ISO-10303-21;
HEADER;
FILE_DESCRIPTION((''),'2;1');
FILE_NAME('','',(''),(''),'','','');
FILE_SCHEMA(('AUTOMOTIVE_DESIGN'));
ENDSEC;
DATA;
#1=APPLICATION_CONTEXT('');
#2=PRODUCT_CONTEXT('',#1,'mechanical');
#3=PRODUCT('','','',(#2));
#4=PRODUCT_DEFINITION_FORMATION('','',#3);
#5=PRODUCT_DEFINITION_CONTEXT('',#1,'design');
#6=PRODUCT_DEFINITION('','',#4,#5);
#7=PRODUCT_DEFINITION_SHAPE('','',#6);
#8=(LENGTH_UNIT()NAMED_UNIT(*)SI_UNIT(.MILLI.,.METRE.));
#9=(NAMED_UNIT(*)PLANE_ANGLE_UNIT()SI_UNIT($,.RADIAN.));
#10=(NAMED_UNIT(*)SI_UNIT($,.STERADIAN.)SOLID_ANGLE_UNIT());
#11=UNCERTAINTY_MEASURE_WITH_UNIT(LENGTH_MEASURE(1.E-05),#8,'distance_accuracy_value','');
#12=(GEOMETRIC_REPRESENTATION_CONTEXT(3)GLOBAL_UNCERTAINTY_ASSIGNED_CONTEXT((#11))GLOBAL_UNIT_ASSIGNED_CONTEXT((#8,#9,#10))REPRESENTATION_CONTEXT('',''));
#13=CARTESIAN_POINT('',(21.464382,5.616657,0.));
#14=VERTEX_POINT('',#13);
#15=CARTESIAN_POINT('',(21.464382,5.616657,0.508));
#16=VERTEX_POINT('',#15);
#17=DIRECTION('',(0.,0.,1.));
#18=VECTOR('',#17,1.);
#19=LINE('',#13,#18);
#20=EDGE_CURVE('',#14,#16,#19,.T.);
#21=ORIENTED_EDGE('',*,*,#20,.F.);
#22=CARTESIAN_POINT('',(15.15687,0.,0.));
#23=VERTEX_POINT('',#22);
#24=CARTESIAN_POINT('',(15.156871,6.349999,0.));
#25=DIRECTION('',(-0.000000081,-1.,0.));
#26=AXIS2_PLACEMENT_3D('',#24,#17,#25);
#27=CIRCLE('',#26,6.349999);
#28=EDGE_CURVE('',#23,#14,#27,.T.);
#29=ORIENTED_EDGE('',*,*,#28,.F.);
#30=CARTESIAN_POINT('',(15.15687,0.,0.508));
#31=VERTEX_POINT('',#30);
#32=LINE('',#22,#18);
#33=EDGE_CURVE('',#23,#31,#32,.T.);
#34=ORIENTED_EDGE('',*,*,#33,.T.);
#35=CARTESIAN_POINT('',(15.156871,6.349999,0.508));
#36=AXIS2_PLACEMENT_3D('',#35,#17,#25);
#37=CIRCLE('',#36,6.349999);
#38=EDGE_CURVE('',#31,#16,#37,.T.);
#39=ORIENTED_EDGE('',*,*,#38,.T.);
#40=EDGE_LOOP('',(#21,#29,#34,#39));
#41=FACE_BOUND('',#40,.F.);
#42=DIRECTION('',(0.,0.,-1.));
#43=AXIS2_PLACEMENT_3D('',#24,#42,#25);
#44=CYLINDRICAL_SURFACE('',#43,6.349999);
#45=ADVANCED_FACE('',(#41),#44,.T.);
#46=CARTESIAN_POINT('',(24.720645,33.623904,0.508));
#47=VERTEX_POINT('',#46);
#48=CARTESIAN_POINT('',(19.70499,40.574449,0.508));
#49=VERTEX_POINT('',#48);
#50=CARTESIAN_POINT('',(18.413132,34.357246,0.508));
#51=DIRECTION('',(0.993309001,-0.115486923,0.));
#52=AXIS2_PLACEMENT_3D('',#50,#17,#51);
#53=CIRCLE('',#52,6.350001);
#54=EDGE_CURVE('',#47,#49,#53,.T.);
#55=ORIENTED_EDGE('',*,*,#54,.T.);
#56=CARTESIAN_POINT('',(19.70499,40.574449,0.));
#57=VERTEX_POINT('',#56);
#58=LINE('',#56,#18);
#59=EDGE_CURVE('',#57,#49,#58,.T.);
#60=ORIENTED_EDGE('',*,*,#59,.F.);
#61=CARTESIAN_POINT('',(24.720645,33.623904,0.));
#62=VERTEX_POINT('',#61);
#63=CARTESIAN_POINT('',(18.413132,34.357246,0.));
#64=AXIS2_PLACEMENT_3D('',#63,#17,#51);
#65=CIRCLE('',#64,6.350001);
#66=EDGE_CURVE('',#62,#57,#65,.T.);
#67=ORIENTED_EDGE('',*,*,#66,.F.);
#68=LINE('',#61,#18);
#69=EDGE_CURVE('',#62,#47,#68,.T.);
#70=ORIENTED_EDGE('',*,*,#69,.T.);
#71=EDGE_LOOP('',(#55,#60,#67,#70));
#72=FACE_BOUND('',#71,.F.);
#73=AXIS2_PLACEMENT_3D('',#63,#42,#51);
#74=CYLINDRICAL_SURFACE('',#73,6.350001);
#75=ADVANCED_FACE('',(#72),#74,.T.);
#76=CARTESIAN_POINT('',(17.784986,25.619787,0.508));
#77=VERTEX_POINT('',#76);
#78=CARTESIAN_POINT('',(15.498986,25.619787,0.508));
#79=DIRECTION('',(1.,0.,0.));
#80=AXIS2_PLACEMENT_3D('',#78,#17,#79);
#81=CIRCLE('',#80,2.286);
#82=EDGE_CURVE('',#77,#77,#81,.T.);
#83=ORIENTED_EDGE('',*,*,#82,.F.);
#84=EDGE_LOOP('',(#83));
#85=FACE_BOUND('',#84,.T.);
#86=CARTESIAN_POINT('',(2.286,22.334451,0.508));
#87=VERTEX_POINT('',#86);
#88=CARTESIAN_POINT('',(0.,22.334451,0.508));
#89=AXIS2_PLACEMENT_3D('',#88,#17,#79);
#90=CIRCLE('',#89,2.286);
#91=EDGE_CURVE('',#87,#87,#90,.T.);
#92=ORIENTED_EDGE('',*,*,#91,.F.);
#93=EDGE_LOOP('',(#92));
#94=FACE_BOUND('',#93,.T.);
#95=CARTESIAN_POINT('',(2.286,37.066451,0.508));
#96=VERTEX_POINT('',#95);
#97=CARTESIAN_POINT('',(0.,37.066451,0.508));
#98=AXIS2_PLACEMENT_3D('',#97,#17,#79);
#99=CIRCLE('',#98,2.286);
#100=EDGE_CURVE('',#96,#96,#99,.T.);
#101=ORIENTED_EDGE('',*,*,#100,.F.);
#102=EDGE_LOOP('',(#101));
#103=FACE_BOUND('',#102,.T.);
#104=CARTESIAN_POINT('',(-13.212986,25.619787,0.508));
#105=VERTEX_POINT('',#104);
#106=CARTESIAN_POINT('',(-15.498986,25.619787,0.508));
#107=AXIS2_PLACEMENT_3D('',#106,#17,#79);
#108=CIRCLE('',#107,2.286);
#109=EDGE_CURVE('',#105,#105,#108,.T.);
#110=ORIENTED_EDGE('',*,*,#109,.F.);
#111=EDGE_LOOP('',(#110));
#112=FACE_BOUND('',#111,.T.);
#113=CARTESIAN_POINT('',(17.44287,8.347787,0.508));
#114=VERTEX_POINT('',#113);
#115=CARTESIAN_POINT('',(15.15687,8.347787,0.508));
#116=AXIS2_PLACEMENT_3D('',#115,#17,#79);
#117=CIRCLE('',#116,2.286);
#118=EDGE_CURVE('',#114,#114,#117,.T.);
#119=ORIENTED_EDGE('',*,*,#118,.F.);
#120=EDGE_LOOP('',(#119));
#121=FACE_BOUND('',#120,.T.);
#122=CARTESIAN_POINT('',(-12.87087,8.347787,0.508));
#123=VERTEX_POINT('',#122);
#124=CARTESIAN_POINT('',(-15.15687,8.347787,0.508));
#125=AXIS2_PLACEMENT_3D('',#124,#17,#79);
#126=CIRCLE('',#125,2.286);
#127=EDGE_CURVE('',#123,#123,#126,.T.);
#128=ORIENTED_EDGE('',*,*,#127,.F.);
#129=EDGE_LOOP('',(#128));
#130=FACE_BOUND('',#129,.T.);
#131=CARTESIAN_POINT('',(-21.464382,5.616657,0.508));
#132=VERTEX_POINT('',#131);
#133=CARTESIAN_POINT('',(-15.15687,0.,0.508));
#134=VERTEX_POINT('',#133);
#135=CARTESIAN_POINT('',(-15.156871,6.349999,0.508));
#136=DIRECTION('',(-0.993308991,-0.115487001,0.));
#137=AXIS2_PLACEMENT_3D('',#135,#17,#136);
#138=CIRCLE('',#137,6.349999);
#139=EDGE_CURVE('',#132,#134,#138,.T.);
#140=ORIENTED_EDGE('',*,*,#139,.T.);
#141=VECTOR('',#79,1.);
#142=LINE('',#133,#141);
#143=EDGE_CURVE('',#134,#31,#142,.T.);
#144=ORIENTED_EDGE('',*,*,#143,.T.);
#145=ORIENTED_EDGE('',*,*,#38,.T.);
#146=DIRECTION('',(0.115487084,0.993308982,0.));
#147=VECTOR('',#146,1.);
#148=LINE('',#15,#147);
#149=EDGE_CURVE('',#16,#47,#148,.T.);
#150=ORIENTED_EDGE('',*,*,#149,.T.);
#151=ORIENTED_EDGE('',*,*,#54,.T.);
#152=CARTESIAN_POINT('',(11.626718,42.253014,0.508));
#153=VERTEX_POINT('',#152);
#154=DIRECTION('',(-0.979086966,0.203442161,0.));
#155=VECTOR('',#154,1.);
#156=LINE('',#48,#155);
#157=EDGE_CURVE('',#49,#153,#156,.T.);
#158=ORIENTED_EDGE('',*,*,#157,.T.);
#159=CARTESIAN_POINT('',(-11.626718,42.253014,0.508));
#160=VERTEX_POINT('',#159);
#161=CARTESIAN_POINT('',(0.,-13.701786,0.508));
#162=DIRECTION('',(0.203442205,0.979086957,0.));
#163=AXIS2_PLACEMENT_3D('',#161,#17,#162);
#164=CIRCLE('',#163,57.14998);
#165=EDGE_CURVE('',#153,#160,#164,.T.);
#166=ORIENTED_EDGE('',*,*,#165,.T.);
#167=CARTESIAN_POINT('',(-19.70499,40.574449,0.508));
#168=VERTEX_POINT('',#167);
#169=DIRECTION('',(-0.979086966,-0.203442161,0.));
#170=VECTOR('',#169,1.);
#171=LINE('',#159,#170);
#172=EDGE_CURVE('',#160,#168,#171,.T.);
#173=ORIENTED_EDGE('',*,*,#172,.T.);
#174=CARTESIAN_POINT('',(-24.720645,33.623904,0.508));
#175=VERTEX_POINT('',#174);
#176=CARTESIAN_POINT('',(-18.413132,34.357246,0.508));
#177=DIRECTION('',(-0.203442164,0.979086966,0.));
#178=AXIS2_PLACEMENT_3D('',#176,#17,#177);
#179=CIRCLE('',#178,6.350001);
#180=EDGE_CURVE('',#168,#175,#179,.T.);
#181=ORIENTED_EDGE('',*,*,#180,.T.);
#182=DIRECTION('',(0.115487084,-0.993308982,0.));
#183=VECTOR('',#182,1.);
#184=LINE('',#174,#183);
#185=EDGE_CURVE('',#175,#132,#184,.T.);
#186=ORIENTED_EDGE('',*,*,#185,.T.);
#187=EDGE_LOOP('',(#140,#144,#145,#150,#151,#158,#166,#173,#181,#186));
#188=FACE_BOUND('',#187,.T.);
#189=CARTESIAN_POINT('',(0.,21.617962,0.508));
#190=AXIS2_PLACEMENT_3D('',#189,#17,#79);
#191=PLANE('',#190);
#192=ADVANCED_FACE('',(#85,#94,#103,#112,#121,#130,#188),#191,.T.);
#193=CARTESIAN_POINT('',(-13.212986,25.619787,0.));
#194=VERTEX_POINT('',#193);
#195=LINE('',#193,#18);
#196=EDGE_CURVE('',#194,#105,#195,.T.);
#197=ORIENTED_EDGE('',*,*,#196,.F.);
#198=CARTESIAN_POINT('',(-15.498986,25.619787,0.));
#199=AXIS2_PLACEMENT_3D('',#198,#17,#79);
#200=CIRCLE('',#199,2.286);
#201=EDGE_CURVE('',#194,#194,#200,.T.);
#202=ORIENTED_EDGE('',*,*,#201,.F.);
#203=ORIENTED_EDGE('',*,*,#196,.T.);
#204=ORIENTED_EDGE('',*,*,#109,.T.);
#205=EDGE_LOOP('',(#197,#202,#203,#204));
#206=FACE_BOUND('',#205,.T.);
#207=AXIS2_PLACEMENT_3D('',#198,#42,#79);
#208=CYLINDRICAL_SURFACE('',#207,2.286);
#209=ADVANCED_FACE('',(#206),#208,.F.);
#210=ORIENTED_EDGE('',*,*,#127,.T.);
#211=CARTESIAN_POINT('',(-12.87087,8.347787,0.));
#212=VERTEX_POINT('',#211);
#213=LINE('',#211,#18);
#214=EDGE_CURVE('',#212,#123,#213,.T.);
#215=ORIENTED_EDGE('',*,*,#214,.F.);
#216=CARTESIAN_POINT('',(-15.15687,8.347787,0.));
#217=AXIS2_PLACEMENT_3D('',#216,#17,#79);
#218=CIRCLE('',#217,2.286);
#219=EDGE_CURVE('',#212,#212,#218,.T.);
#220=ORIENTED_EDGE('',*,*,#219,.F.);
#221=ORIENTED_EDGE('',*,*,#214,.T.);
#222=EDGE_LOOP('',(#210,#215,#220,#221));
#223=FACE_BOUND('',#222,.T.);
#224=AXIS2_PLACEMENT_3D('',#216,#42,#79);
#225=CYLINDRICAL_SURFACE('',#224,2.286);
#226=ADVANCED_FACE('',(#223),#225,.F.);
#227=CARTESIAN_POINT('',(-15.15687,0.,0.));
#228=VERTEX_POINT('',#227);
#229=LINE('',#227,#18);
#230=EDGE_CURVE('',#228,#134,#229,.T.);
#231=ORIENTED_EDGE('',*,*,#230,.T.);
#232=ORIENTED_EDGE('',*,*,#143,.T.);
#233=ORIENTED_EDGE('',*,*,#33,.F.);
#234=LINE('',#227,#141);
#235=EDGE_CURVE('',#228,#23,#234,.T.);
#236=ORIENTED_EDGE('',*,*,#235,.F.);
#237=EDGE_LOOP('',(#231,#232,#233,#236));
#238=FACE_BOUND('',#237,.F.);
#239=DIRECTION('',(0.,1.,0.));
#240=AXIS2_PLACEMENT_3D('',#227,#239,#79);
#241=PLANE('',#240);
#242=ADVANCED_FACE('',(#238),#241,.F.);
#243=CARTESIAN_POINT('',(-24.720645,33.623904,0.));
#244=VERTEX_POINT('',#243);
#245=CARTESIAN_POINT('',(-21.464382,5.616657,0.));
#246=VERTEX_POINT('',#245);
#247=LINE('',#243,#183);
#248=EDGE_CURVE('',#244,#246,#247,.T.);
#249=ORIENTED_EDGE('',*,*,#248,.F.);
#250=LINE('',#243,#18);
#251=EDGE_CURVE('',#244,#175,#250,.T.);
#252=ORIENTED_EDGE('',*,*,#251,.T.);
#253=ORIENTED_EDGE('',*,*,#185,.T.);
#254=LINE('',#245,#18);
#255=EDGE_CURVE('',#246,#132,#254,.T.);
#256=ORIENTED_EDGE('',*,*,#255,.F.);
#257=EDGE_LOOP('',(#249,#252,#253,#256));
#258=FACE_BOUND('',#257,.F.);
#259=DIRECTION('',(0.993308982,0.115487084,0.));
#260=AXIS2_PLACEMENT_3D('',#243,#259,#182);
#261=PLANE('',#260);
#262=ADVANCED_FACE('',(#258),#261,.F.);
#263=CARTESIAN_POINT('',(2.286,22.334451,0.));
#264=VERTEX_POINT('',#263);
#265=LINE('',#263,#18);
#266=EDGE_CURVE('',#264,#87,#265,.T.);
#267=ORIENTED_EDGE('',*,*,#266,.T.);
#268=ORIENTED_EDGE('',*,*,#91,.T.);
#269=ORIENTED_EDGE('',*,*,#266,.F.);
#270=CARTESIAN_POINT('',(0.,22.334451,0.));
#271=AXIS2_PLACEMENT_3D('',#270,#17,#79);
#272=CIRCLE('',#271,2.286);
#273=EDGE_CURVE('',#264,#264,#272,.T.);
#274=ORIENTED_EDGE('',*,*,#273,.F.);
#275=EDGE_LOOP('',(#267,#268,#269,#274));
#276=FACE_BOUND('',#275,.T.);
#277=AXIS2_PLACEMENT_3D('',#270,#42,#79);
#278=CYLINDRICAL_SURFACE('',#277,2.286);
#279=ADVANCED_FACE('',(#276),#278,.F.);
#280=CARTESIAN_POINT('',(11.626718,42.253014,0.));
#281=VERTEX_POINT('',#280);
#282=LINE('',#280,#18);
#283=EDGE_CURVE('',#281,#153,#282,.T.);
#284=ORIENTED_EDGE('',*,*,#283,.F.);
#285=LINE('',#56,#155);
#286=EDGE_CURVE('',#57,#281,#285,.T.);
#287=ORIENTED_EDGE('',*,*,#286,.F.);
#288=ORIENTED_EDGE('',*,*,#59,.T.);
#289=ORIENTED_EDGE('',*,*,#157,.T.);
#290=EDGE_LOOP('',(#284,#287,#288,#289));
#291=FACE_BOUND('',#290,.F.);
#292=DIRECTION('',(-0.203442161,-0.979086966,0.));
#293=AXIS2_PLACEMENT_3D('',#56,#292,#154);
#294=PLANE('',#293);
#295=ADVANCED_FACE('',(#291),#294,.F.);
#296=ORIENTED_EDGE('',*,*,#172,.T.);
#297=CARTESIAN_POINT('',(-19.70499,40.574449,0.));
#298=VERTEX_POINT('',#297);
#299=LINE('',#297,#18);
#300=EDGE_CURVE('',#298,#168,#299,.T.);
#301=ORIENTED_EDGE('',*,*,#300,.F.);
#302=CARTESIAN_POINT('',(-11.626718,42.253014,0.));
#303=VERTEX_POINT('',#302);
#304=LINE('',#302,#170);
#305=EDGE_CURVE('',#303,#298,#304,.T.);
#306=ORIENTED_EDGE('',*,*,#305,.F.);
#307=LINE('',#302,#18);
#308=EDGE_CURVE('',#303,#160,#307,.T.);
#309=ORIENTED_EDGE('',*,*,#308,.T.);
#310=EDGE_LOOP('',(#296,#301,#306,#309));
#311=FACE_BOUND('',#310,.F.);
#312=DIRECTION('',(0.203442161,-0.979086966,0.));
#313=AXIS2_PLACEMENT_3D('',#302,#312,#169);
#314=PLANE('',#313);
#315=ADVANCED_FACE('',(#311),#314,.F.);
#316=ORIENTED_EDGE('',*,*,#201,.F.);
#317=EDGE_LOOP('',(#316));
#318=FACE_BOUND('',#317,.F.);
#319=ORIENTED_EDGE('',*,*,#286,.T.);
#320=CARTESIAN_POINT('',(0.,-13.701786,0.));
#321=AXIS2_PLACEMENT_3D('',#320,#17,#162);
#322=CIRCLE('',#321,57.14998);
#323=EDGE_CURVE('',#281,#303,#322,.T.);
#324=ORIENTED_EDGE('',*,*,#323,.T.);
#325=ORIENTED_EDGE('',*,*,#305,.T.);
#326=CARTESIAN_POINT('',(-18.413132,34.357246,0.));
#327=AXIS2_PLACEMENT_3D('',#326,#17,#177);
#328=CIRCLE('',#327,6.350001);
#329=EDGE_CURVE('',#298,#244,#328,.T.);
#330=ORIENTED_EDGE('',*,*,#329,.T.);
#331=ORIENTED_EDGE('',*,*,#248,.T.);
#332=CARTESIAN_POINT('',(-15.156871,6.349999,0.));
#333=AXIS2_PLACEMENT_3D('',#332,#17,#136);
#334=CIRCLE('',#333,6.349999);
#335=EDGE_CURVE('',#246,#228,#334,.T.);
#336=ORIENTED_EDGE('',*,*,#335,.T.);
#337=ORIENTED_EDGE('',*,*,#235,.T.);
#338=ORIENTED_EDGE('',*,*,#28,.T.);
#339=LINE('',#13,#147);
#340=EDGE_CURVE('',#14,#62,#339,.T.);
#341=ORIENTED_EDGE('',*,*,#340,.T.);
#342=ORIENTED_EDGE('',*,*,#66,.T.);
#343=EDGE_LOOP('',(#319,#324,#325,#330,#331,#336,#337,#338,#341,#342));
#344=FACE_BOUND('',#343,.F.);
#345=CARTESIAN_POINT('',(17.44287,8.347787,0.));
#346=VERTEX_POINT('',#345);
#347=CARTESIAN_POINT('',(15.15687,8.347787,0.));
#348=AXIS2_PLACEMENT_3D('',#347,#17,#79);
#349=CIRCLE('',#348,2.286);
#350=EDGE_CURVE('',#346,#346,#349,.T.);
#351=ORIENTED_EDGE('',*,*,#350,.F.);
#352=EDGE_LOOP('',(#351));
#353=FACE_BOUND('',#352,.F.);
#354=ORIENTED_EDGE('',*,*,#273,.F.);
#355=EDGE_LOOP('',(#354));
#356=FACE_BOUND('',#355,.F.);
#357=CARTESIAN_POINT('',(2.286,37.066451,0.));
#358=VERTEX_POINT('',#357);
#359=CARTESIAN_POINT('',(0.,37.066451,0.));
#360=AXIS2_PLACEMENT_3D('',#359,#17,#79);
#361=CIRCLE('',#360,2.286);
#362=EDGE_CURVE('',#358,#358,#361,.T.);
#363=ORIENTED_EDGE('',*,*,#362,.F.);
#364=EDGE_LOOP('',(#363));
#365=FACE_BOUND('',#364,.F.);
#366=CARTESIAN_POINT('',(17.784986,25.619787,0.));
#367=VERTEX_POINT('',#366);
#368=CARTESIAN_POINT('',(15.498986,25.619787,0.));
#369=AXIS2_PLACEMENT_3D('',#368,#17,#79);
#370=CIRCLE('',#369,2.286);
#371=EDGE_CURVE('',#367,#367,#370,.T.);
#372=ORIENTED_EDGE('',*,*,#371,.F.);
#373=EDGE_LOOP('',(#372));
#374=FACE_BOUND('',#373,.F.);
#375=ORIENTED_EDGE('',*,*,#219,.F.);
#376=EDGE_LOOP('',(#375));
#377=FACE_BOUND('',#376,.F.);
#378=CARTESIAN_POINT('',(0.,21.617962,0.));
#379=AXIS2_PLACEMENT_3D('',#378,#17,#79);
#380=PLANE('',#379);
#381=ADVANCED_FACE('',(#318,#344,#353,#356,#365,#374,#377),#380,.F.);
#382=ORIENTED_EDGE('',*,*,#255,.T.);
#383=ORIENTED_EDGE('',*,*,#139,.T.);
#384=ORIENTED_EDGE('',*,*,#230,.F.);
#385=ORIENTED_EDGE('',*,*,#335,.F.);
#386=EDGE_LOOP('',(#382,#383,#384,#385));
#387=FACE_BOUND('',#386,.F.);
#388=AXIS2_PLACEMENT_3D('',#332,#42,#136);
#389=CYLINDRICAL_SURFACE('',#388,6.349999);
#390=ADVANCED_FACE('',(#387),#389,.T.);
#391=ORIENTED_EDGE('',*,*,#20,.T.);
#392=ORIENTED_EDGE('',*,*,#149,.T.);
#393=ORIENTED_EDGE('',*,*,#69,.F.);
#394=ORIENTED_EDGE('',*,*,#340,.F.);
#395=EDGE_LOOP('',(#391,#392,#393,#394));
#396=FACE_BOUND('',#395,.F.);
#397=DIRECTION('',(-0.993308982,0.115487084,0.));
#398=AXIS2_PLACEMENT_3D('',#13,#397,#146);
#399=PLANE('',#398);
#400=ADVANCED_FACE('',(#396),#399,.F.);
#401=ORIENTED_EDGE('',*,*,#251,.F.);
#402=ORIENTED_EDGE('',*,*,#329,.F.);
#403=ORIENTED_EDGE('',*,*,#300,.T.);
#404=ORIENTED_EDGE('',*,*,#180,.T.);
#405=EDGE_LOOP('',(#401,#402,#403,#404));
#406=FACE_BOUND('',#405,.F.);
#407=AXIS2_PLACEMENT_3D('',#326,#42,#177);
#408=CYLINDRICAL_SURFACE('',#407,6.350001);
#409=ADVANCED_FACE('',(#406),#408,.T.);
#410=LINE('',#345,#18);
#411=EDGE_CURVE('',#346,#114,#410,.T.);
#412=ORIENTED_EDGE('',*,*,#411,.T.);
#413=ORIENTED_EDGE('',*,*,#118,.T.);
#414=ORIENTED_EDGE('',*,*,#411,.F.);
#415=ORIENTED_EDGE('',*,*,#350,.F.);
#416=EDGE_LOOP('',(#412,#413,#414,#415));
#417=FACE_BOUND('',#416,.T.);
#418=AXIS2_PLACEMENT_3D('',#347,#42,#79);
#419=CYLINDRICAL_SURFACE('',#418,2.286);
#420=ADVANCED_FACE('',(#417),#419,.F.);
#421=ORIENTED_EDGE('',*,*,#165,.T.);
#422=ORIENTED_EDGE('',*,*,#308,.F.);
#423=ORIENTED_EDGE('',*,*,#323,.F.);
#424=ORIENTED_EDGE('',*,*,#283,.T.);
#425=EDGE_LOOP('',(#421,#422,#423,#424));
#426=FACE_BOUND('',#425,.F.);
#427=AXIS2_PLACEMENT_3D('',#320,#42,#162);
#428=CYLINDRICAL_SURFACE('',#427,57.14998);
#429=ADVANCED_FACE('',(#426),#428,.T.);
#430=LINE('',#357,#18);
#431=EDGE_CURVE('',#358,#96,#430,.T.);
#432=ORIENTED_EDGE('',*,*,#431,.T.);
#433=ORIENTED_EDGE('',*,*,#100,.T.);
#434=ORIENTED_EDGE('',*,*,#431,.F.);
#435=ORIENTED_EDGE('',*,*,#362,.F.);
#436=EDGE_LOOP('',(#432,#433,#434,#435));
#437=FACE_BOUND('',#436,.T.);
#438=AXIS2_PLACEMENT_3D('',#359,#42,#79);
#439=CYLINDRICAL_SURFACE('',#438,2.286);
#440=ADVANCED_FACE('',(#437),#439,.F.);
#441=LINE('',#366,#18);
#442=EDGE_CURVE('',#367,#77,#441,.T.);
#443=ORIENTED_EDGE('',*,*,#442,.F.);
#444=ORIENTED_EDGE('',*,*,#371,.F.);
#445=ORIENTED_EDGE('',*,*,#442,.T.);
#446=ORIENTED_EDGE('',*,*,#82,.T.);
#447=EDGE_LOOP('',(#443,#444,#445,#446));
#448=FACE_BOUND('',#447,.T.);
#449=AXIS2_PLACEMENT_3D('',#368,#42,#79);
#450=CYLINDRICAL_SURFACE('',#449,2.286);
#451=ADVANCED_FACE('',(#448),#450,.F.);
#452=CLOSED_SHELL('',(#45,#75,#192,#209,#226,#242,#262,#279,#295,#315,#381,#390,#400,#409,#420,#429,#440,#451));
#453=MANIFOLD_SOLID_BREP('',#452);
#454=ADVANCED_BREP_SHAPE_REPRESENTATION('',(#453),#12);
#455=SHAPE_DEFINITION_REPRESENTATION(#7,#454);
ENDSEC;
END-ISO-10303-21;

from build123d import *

# Parameters (mm, degrees)
F0_R     = 2.286
F1_DEPTH = 0.508


with BuildPart() as f1:
    # F0 (on Top) → F1 (new body)
    with BuildSketch(Plane.XY):
        with BuildLine():
            Line((-15.15687, 0), (0, 0))
            Line((0, 0), (15.15687, 0))
            ThreePointArc((15.15687, 0), (19.37977, 1.607678), (21.464382, 5.616657))
            Line((21.464382, 5.616657), (24.720645, 33.623904))
            ThreePointArc((24.720645, 33.623904), (23.562416, 38.073075), (19.70499, 40.574449))
            Line((19.70499, 40.574449), (11.626718, 42.253014))
            ThreePointArc((11.626718, 42.253014), (0, 43.448194), (-11.626718, 42.253014))
            Line((-11.626718, 42.253014), (-19.70499, 40.574449))
            ThreePointArc((-19.70499, 40.574449), (-23.562416, 38.073075), (-24.720645, 33.623904))
            Line((-24.720645, 33.623904), (-21.464382, 5.616657))
            ThreePointArc((-21.464382, 5.616657), (-19.37977, 1.607678), (-15.15687, 0))
        make_face()
        with Locations((-15.15687, 8.347787)):
            Circle(F0_R, mode=Mode.SUBTRACT)
        with Locations((15.15687, 8.347787)):
            Circle(F0_R, mode=Mode.SUBTRACT)
        with Locations((-15.498986, 25.619787)):
            Circle(F0_R, mode=Mode.SUBTRACT)
        with Locations((0, 22.334451)):
            Circle(F0_R, mode=Mode.SUBTRACT)
        with Locations((0, 37.066451)):
            Circle(F0_R, mode=Mode.SUBTRACT)
        with Locations((15.498986, 25.619787)):
            Circle(F0_R, mode=Mode.SUBTRACT)
    extrude(amount=F1_DEPTH)


solid = f1.part
